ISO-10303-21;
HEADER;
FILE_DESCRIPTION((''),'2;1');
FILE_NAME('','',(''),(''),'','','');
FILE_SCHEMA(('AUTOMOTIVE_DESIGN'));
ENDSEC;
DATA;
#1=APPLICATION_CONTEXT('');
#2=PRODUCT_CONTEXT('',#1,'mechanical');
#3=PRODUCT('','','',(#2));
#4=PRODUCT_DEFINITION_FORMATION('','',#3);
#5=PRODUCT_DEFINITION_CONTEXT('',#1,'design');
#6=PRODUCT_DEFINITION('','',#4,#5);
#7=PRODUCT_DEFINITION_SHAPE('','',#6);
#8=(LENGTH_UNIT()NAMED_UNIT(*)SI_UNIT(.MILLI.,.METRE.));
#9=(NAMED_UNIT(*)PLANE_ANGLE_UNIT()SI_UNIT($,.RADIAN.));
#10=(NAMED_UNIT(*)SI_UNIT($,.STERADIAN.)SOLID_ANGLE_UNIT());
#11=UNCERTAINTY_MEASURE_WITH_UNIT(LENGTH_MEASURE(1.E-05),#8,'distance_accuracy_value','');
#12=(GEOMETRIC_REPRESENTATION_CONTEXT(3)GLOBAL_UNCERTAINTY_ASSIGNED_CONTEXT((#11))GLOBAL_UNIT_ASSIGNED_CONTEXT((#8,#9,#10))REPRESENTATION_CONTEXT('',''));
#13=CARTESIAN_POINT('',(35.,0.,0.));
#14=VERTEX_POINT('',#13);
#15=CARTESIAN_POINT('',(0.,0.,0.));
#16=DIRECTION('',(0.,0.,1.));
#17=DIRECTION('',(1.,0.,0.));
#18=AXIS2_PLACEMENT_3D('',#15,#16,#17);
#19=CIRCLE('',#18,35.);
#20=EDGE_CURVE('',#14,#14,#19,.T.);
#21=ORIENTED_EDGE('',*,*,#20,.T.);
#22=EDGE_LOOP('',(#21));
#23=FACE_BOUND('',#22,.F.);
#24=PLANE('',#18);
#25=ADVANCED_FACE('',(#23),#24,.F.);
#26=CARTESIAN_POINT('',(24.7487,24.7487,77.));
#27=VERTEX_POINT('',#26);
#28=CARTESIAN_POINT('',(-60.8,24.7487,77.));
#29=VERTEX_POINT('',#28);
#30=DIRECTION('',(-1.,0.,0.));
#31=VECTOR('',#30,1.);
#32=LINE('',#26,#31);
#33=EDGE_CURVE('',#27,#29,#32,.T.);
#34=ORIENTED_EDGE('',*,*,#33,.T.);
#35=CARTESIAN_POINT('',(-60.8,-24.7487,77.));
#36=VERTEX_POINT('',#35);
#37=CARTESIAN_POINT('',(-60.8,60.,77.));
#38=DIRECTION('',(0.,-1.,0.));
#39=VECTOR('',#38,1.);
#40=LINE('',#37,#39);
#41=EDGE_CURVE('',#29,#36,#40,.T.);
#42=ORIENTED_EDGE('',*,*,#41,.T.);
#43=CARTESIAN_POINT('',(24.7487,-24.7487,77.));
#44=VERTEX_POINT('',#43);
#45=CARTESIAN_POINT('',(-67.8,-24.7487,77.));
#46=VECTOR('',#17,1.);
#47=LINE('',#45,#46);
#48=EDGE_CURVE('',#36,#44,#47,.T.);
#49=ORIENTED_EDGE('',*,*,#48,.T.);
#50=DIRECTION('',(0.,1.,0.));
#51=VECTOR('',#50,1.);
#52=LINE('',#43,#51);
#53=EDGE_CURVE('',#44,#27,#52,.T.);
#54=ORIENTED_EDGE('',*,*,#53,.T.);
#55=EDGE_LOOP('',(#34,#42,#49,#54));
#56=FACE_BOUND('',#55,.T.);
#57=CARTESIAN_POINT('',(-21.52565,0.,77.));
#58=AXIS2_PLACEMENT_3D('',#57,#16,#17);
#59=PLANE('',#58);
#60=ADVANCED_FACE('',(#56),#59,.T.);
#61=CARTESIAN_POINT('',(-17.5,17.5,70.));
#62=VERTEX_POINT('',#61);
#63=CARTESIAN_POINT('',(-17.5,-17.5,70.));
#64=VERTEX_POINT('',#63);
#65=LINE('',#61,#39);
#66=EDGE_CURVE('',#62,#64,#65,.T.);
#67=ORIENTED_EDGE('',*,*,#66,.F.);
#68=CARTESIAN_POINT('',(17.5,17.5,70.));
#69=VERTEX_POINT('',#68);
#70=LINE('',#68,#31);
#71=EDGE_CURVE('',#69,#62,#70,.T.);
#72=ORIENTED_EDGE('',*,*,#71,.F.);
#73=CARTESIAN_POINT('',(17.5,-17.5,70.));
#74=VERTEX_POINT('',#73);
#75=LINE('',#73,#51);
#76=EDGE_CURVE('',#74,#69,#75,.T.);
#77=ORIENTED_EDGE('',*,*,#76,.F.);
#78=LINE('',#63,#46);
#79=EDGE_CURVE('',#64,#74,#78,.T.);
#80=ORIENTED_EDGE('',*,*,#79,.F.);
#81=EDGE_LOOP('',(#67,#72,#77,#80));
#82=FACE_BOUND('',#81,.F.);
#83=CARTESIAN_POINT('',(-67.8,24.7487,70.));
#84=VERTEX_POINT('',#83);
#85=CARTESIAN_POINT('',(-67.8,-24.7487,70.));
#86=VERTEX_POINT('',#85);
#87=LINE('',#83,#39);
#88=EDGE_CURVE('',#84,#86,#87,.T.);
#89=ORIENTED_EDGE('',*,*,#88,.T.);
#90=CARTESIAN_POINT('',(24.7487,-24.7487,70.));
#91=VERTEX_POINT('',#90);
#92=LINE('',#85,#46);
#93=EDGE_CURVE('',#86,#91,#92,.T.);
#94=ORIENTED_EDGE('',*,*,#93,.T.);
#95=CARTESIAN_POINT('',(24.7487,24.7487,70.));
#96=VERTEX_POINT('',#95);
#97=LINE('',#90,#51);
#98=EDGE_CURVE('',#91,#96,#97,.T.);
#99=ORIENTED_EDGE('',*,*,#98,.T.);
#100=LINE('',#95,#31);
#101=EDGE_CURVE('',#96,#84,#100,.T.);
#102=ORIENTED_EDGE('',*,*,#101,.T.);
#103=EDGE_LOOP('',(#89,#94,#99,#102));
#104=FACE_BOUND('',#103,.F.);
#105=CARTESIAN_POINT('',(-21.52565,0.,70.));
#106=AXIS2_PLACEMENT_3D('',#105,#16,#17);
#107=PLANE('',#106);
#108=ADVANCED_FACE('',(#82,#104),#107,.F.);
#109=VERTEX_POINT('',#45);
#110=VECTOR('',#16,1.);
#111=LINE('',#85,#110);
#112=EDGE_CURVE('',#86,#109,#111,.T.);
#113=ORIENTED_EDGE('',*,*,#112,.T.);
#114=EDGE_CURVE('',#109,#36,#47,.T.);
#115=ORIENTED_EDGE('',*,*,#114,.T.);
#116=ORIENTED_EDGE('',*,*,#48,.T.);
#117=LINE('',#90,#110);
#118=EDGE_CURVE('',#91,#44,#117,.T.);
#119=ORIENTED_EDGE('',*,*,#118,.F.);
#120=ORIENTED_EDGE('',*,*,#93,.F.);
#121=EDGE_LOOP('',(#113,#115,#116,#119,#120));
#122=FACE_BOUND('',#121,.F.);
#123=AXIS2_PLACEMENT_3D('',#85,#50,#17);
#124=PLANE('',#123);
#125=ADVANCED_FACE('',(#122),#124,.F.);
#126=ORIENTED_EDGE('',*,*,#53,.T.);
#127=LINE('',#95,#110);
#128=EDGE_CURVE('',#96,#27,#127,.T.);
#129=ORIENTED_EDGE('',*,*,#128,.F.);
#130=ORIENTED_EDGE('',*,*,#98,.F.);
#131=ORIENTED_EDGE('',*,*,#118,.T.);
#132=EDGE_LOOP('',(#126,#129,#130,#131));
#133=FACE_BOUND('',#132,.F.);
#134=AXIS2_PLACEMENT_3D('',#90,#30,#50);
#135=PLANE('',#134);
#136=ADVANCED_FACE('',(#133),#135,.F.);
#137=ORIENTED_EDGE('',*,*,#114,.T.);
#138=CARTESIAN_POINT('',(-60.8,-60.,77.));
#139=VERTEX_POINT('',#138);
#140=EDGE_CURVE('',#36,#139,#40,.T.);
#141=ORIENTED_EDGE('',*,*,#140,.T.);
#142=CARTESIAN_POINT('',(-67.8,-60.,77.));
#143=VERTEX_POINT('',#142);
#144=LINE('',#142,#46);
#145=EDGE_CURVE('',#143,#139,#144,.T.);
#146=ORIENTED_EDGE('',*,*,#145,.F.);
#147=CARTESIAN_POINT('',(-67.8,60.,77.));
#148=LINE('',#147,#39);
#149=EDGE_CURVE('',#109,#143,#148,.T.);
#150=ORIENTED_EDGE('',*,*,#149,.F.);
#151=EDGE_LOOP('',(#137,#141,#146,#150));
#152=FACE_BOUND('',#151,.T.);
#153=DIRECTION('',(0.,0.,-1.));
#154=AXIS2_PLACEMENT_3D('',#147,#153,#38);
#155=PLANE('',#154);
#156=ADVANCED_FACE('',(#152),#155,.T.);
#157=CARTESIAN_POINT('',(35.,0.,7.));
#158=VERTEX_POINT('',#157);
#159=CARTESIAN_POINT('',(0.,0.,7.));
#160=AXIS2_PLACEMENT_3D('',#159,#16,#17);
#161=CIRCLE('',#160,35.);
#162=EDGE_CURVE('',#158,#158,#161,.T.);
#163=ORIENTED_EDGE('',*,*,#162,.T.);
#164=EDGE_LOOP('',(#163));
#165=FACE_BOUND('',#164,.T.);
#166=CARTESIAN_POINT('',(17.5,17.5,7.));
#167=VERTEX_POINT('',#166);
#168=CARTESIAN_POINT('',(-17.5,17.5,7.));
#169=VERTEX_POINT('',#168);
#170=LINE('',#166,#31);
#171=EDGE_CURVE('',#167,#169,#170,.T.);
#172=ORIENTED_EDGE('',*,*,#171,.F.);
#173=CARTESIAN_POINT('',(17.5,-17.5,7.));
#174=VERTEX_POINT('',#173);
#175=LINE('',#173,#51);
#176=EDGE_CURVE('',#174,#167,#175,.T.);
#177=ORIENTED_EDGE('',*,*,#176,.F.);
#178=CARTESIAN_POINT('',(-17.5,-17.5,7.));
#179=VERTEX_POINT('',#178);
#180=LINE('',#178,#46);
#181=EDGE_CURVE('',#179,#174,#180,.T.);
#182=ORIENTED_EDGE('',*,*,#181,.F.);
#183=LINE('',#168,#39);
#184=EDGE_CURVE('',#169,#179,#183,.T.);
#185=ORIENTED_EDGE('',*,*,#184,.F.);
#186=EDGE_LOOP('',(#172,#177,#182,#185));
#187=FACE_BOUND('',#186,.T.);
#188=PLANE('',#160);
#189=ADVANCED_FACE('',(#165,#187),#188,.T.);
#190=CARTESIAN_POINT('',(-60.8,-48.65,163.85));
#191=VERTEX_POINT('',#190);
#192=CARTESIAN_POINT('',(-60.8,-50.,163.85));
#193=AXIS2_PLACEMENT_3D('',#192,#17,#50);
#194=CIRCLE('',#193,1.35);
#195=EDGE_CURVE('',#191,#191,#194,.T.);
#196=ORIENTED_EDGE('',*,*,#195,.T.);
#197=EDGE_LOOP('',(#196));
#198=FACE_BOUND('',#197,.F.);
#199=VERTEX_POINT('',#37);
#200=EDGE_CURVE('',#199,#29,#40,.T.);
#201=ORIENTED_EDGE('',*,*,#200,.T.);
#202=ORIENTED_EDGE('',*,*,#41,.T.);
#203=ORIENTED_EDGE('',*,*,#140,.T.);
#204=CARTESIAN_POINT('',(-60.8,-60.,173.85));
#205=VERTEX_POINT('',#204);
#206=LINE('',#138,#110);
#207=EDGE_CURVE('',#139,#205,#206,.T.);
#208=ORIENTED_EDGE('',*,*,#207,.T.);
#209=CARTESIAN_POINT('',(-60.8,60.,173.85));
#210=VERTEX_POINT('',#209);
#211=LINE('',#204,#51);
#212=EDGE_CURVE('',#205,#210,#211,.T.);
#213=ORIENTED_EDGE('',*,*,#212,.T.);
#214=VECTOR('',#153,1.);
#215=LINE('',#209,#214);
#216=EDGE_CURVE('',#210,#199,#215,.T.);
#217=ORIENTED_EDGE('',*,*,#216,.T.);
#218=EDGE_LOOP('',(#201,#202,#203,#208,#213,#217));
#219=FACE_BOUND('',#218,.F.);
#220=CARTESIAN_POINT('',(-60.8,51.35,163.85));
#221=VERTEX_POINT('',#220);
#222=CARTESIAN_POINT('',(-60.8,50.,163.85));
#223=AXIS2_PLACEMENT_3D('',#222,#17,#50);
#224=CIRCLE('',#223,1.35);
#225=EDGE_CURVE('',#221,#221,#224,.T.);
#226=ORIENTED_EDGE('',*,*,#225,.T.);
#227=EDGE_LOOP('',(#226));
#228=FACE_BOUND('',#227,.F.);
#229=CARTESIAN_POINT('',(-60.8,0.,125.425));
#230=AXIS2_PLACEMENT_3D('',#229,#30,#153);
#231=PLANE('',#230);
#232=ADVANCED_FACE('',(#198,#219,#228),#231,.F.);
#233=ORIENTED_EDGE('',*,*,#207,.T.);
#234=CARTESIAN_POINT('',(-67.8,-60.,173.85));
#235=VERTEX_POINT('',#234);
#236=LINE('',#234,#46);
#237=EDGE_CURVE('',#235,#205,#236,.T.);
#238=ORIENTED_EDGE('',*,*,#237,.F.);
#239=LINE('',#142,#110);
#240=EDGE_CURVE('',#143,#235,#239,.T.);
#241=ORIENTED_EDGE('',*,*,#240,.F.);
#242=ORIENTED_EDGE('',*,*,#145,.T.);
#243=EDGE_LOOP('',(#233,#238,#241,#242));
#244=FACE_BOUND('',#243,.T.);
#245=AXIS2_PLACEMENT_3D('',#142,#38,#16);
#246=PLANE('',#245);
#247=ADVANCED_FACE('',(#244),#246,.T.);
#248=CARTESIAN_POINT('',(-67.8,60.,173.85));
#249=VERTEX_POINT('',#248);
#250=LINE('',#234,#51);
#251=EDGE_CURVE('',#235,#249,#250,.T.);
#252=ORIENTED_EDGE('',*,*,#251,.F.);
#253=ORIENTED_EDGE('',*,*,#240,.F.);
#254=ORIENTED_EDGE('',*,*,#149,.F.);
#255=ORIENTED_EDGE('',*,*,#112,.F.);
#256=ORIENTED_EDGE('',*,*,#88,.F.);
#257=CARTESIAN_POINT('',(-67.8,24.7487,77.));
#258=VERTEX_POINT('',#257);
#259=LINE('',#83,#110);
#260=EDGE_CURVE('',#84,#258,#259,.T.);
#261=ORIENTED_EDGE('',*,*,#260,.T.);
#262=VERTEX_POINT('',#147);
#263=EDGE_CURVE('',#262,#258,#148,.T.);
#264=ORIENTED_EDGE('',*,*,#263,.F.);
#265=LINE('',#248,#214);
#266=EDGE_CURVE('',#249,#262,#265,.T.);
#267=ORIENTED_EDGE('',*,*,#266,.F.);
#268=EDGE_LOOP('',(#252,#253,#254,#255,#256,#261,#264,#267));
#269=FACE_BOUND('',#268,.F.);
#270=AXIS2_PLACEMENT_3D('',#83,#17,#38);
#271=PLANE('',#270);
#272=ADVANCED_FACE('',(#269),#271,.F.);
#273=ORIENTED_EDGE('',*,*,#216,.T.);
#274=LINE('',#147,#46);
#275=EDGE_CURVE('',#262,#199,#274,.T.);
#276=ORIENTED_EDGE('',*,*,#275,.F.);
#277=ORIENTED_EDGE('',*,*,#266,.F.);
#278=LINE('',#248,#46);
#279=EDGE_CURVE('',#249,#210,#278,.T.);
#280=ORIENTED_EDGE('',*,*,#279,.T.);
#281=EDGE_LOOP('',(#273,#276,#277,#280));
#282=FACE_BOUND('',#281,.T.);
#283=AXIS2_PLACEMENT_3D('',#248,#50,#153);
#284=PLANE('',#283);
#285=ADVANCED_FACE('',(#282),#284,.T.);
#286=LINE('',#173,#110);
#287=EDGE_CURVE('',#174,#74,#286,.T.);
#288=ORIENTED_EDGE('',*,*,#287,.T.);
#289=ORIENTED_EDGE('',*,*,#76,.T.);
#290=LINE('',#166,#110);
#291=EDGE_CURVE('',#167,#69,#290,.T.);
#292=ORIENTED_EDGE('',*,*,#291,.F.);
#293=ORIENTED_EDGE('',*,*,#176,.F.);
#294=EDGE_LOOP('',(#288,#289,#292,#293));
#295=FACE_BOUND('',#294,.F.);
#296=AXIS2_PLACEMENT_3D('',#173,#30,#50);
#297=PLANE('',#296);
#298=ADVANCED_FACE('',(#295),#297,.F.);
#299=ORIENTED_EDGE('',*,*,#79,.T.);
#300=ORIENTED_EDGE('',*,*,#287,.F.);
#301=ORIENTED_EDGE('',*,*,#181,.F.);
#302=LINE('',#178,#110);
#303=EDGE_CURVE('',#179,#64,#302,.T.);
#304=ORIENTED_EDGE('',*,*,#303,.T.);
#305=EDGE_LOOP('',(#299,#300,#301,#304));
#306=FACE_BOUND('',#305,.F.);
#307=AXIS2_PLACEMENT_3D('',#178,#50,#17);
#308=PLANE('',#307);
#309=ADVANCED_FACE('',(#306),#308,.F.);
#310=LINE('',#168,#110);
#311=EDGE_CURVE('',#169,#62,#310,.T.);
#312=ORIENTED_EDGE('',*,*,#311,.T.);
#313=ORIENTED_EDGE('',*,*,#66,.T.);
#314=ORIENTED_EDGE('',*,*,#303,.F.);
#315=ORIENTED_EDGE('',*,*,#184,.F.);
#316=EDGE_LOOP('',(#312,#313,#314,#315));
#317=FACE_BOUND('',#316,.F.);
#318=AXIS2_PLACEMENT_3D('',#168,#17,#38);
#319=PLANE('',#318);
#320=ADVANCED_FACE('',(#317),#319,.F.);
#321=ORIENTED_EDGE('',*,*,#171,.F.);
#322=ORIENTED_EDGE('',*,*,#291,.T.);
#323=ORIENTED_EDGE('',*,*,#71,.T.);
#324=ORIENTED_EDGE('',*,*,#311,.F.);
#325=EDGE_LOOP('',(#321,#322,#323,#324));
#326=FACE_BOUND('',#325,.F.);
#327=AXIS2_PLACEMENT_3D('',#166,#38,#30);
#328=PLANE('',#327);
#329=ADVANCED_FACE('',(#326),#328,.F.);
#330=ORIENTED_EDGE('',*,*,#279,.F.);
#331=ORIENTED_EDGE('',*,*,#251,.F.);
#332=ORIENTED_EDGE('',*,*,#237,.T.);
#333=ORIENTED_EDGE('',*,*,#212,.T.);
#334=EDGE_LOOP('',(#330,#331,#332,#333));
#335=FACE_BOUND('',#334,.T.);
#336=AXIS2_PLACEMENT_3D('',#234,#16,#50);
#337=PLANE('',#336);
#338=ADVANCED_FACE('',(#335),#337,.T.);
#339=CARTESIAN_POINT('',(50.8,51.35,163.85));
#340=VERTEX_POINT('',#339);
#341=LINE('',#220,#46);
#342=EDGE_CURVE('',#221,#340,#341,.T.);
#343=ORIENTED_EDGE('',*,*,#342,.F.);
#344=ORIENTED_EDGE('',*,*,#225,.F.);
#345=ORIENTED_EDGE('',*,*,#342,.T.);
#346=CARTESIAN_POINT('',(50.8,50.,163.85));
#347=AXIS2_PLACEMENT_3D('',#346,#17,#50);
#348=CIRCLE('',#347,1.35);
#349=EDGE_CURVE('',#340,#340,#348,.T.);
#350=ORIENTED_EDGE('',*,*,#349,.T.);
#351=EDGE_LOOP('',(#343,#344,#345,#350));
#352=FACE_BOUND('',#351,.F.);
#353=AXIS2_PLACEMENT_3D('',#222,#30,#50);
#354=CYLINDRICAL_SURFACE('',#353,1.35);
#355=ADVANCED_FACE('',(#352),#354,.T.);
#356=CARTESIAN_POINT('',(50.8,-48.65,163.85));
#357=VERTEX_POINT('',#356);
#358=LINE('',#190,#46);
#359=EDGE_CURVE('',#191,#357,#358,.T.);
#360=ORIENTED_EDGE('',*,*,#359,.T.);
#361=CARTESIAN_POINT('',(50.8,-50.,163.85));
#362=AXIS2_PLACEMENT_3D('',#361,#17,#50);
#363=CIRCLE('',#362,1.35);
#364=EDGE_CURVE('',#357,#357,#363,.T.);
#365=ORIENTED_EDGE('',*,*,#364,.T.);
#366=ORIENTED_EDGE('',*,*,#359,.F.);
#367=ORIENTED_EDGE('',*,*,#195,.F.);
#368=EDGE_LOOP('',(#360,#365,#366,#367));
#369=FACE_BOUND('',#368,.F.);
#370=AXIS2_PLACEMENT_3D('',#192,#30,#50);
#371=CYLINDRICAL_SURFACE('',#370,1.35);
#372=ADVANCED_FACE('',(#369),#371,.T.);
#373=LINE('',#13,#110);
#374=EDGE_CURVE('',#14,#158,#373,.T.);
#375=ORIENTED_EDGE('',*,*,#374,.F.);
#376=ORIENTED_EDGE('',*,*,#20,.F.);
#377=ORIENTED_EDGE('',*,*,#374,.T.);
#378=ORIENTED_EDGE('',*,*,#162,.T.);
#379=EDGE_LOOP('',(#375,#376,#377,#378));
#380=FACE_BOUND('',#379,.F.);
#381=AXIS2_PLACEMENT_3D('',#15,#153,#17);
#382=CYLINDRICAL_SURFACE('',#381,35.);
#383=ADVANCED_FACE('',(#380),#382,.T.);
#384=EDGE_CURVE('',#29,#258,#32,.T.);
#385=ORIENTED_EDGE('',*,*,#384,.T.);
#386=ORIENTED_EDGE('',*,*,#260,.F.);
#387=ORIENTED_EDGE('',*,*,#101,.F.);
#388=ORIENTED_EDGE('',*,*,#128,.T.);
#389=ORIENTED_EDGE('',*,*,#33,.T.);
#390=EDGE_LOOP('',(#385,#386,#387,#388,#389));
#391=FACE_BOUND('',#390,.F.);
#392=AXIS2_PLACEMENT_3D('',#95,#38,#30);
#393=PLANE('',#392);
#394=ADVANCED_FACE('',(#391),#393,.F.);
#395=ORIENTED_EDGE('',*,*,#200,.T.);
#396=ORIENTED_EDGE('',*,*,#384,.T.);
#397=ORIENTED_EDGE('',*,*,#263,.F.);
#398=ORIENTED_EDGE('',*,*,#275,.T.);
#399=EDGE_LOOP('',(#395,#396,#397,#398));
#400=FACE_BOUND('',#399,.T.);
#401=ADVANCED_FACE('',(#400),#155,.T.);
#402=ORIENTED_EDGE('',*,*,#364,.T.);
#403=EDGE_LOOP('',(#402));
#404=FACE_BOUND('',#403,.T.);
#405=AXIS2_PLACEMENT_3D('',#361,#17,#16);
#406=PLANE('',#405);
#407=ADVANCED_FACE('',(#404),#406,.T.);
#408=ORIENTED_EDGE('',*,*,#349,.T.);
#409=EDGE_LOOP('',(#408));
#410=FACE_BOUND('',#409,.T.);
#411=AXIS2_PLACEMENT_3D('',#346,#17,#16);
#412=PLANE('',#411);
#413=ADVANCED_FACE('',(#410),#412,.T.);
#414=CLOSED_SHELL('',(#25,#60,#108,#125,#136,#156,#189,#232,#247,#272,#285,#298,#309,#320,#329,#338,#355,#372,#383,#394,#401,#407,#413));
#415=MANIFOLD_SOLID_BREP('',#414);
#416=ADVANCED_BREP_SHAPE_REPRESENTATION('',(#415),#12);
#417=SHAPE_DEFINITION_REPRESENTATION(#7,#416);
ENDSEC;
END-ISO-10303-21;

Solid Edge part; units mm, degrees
sketch "Sketch1" plane through (0, 0, 0) normal (0, 0, 1) x (1, 0, 0)
  circle A0 centre (0, 0) radius 35
  dimension "D1" = 70
extrude "Protrusion1" add sketch "Sketch1" along normal blind 7
sketch "Sketch2" plane through (0, 0, 7) normal (0, 0, 1) x (1, 0, 0)
  line L0 (-17.5, -17.5) -> (17.5, -17.5)
  line L1 (17.5, -17.5) -> (17.5, 17.5)
  line L2 (17.5, 17.5) -> (-17.5, 17.5)
  line L3 (-17.5, 17.5) -> (-17.5, -17.5)
  dimension "D1" = 35
extrude "ExtrudedProtrusion_2" add sketch "Sketch2" along normal blind 63
sketch "Sketch3" plane through (0, 0, 70) normal (0, 0, 1) x (1, 0, 0)
  line L0 (-67.8, -24.7487) -> (24.7487, -24.7487)
  line L1 (24.7487, -24.7487) -> (24.7487, 24.7487)
  line L2 (24.7487, 24.7487) -> (-67.8, 24.7487)
  line L3 (-67.8, 24.7487) -> (-67.8, -24.7487)
  dimension "D1" = 49.4975
  dimension "D2" = 24.7487
  dimension "D3" = 67.8
extrude "ExtrudedProtrusion_3" add sketch "Sketch3" along normal blind 7
sketch "Sketch4" plane through (-67.8, 0, 73.5) normal (-1, 0, 0) x (0, -1, 0)
  line L0 (-60, 3.5) -> (60, 3.5)
  line L1 (60, 3.5) -> (60, 100.35)
  line L2 (60, 100.35) -> (-60, 100.35)
  line L3 (-60, 100.35) -> (-60, 3.5)
  dimension "D1" = 120
  dimension "D2" = 2.7
  dimension "D3" = 10
  dimension "D4" = 163.85
  dimension "D5" = 100
extrude "ExtrudedProtrusion_4" add sketch "Sketch4" against normal blind 7
sketch "Sketch5" plane through (-60.8, 0, 125.425) normal (1, 0, 0) x (0, 1, 0)
  circle A0 centre (-50, 38.425) radius 1.35
  circle A1 centre (50, 38.425) radius 1.35
  dimension "D1" = 2.7
  dimension "D2" = 100
  dimension "D3" = 163.85
extrude "ExtrudedProtrusion_5" add sketch "Sketch5" along normal blind 111.6
